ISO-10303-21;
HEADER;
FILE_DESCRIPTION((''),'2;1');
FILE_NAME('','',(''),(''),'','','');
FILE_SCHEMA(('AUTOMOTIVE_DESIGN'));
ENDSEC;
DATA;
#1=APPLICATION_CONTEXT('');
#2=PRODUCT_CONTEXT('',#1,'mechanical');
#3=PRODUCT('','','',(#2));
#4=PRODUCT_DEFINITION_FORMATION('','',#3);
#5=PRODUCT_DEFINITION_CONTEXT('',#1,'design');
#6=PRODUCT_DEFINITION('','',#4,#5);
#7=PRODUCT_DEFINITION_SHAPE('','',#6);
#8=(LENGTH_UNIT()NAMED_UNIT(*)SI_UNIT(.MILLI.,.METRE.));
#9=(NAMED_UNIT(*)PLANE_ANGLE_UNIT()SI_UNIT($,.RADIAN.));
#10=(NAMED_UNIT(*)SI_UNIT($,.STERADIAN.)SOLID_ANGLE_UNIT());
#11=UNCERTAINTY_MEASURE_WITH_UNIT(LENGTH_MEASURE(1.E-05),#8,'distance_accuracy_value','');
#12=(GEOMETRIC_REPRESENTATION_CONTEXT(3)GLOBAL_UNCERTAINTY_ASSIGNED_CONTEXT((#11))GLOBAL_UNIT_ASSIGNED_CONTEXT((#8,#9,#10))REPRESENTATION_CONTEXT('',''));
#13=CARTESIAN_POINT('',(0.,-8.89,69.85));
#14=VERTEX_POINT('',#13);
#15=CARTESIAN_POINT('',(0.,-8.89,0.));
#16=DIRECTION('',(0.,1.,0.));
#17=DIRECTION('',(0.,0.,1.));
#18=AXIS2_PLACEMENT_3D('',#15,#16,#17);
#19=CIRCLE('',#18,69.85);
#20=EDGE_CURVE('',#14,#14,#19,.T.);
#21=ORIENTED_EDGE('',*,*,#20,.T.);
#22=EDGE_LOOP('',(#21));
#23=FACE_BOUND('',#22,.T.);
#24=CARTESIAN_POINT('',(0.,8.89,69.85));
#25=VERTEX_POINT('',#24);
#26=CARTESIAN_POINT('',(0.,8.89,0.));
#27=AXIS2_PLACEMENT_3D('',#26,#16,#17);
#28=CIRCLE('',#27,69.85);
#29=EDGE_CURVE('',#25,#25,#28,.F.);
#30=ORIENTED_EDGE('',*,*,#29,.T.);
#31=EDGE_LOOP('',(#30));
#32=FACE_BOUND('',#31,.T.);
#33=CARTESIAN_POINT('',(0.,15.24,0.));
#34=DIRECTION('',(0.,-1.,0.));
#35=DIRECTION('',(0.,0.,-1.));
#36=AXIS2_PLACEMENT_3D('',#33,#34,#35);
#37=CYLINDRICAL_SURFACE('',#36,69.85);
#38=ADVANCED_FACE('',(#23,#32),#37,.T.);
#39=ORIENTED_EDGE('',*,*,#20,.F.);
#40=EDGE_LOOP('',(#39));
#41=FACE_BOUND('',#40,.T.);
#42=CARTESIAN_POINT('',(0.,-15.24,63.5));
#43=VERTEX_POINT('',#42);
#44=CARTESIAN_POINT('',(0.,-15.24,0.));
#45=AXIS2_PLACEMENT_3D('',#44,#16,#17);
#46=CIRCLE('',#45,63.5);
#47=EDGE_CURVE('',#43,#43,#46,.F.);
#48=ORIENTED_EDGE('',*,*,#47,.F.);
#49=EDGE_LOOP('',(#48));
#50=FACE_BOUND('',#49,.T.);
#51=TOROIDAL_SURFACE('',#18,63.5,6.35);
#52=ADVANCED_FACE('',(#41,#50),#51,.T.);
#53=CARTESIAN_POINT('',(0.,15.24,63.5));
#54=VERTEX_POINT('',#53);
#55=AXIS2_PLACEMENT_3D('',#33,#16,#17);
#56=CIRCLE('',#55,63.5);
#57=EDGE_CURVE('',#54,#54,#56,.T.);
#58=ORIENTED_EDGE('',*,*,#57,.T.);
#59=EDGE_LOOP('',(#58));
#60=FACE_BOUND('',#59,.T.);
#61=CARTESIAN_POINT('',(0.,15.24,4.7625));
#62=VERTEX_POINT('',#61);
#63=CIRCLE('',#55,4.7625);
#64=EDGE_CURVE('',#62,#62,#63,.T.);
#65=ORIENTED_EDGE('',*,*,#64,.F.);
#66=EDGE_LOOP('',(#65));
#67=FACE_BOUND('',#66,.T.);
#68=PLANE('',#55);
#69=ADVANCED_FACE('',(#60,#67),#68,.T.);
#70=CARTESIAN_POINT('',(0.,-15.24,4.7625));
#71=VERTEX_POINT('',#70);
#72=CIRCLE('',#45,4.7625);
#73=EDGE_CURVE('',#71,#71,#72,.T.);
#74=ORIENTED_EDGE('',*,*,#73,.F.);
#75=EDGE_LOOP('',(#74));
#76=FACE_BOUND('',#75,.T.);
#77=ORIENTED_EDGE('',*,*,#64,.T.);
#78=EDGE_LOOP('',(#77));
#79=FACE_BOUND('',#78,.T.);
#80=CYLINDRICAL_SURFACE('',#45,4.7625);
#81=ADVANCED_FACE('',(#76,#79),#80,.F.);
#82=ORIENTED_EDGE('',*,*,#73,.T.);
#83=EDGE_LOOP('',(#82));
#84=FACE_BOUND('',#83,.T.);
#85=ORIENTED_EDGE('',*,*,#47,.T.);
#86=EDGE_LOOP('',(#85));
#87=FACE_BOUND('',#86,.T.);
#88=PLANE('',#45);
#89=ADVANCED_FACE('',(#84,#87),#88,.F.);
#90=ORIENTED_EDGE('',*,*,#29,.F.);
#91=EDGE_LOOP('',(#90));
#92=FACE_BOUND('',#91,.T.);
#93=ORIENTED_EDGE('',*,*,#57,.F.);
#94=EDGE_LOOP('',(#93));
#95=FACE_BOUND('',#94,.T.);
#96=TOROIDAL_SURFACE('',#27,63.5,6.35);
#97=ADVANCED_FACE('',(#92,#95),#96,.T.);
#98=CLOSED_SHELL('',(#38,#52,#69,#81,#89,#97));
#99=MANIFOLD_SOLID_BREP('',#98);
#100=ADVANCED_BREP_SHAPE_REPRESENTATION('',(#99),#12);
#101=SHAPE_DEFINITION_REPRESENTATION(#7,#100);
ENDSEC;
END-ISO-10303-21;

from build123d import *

# Parameters (mm, degrees)
SKETCH1_R           = 69.85
BOSS_EXTRUDE1_DEPTH = 15.24
SKETCH2_R           = 4.7625
CUT_EXTRUDE1_DEPTH  = 30.48
FILLET1_R           = 6.35


with BuildPart() as part:
    # Sketch1 → Boss-Extrude1 (new body, symmetric)
    with BuildSketch(Plane(origin=(0, 0, 0), x_dir=(1, 0, 0), z_dir=(0, 1, 0))):
        Circle(SKETCH1_R)
    extrude(amount=BOSS_EXTRUDE1_DEPTH, both=True)

    # Sketch2 → Cut-Extrude1 (cut)
    with BuildSketch(Plane(origin=(0, 15.24, 0), x_dir=(1, 0, 0), z_dir=(0, 1, 0))):
        Circle(SKETCH2_R)
    extrude(amount=-CUT_EXTRUDE1_DEPTH, mode=Mode.SUBTRACT)

    # Fillet1
    fillet1_edges = [part.edges().sort_by_distance(p)[0] for p in [
        (-69.85, -15.24, 0),
        (-69.85, 15.24, 0),
    ]]
    fillet(fillet1_edges, radius=FILLET1_R)


solid = part.part
